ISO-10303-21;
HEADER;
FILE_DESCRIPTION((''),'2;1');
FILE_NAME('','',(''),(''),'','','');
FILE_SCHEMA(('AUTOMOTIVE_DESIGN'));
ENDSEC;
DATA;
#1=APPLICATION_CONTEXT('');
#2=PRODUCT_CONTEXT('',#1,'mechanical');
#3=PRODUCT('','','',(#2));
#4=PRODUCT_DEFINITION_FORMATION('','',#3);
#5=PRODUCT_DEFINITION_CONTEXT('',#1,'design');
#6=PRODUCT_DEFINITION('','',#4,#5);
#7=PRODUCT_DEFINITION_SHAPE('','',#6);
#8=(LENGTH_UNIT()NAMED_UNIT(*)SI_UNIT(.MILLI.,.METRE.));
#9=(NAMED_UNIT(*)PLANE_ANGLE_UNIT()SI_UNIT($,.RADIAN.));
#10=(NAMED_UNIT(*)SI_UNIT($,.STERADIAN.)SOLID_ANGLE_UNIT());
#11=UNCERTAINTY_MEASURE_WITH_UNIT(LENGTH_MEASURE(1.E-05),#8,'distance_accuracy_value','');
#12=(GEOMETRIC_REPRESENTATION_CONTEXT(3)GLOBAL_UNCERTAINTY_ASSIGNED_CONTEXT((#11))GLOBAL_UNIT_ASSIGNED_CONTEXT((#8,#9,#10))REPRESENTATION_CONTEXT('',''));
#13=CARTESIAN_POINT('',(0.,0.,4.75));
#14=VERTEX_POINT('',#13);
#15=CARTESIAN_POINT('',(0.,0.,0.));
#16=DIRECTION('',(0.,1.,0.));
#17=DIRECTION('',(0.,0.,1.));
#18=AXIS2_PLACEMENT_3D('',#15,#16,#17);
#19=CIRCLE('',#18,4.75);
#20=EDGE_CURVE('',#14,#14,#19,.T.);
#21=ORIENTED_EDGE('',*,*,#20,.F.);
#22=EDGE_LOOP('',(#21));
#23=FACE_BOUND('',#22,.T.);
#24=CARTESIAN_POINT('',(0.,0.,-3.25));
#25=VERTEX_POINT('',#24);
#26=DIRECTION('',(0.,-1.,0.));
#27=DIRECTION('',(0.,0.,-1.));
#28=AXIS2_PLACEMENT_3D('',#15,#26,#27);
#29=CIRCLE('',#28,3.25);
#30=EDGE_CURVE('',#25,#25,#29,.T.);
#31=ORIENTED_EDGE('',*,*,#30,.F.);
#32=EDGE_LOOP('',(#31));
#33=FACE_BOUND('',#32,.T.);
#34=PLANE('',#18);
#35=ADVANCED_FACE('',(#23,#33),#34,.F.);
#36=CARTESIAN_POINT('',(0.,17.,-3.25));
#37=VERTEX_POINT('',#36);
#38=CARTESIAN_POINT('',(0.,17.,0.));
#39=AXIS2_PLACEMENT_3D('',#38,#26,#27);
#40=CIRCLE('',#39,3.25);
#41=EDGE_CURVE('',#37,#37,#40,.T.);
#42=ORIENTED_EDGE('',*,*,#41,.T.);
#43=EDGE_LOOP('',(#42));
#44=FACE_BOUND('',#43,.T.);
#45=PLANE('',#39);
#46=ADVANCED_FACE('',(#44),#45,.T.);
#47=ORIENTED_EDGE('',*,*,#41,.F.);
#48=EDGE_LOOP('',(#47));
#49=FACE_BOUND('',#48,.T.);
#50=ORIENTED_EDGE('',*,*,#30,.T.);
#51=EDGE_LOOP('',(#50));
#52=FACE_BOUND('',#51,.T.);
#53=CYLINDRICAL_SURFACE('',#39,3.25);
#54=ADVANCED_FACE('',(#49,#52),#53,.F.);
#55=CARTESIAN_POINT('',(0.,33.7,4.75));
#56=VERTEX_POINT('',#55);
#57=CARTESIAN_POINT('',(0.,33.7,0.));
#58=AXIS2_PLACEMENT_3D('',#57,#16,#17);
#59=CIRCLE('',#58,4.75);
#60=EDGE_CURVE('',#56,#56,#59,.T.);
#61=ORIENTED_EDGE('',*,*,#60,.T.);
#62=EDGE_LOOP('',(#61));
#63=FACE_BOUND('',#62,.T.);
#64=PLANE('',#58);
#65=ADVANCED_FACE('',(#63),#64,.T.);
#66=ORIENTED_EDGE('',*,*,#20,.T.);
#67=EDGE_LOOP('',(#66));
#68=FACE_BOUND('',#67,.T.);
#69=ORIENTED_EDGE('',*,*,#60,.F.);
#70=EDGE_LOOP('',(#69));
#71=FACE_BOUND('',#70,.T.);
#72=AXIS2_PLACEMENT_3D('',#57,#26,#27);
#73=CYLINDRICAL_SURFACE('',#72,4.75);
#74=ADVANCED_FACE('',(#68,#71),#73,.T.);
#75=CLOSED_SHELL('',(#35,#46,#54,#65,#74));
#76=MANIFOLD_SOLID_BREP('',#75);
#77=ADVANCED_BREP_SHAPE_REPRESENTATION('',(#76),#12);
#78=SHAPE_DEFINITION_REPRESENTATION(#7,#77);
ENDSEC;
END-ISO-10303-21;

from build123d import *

# Parameters (mm, degrees)
SKETCH1_R           = 4.75
BOSS_EXTRUDE1_DEPTH = 33.7
SKETCH2_R           = 3.25
CUT_EXTRUDE1_DEPTH  = 17


with BuildPart() as part:
    # Sketch1 → Boss-Extrude1 (new body)
    with BuildSketch(Plane(origin=(0, 0, 0), x_dir=(1, 0, 0), z_dir=(0, 1, 0))):
        with Locations(Location((0, 0, 0), (0, 0, 270))):
            Circle(SKETCH1_R)
    extrude(amount=BOSS_EXTRUDE1_DEPTH)

    # Sketch2 → Cut-Extrude1 (cut)
    with BuildSketch(Plane.XZ):
        with Locations(Location((0, 0, 0), (0, 0, 270))):
            Circle(SKETCH2_R)
    extrude(amount=-CUT_EXTRUDE1_DEPTH, mode=Mode.SUBTRACT)


solid = part.part
